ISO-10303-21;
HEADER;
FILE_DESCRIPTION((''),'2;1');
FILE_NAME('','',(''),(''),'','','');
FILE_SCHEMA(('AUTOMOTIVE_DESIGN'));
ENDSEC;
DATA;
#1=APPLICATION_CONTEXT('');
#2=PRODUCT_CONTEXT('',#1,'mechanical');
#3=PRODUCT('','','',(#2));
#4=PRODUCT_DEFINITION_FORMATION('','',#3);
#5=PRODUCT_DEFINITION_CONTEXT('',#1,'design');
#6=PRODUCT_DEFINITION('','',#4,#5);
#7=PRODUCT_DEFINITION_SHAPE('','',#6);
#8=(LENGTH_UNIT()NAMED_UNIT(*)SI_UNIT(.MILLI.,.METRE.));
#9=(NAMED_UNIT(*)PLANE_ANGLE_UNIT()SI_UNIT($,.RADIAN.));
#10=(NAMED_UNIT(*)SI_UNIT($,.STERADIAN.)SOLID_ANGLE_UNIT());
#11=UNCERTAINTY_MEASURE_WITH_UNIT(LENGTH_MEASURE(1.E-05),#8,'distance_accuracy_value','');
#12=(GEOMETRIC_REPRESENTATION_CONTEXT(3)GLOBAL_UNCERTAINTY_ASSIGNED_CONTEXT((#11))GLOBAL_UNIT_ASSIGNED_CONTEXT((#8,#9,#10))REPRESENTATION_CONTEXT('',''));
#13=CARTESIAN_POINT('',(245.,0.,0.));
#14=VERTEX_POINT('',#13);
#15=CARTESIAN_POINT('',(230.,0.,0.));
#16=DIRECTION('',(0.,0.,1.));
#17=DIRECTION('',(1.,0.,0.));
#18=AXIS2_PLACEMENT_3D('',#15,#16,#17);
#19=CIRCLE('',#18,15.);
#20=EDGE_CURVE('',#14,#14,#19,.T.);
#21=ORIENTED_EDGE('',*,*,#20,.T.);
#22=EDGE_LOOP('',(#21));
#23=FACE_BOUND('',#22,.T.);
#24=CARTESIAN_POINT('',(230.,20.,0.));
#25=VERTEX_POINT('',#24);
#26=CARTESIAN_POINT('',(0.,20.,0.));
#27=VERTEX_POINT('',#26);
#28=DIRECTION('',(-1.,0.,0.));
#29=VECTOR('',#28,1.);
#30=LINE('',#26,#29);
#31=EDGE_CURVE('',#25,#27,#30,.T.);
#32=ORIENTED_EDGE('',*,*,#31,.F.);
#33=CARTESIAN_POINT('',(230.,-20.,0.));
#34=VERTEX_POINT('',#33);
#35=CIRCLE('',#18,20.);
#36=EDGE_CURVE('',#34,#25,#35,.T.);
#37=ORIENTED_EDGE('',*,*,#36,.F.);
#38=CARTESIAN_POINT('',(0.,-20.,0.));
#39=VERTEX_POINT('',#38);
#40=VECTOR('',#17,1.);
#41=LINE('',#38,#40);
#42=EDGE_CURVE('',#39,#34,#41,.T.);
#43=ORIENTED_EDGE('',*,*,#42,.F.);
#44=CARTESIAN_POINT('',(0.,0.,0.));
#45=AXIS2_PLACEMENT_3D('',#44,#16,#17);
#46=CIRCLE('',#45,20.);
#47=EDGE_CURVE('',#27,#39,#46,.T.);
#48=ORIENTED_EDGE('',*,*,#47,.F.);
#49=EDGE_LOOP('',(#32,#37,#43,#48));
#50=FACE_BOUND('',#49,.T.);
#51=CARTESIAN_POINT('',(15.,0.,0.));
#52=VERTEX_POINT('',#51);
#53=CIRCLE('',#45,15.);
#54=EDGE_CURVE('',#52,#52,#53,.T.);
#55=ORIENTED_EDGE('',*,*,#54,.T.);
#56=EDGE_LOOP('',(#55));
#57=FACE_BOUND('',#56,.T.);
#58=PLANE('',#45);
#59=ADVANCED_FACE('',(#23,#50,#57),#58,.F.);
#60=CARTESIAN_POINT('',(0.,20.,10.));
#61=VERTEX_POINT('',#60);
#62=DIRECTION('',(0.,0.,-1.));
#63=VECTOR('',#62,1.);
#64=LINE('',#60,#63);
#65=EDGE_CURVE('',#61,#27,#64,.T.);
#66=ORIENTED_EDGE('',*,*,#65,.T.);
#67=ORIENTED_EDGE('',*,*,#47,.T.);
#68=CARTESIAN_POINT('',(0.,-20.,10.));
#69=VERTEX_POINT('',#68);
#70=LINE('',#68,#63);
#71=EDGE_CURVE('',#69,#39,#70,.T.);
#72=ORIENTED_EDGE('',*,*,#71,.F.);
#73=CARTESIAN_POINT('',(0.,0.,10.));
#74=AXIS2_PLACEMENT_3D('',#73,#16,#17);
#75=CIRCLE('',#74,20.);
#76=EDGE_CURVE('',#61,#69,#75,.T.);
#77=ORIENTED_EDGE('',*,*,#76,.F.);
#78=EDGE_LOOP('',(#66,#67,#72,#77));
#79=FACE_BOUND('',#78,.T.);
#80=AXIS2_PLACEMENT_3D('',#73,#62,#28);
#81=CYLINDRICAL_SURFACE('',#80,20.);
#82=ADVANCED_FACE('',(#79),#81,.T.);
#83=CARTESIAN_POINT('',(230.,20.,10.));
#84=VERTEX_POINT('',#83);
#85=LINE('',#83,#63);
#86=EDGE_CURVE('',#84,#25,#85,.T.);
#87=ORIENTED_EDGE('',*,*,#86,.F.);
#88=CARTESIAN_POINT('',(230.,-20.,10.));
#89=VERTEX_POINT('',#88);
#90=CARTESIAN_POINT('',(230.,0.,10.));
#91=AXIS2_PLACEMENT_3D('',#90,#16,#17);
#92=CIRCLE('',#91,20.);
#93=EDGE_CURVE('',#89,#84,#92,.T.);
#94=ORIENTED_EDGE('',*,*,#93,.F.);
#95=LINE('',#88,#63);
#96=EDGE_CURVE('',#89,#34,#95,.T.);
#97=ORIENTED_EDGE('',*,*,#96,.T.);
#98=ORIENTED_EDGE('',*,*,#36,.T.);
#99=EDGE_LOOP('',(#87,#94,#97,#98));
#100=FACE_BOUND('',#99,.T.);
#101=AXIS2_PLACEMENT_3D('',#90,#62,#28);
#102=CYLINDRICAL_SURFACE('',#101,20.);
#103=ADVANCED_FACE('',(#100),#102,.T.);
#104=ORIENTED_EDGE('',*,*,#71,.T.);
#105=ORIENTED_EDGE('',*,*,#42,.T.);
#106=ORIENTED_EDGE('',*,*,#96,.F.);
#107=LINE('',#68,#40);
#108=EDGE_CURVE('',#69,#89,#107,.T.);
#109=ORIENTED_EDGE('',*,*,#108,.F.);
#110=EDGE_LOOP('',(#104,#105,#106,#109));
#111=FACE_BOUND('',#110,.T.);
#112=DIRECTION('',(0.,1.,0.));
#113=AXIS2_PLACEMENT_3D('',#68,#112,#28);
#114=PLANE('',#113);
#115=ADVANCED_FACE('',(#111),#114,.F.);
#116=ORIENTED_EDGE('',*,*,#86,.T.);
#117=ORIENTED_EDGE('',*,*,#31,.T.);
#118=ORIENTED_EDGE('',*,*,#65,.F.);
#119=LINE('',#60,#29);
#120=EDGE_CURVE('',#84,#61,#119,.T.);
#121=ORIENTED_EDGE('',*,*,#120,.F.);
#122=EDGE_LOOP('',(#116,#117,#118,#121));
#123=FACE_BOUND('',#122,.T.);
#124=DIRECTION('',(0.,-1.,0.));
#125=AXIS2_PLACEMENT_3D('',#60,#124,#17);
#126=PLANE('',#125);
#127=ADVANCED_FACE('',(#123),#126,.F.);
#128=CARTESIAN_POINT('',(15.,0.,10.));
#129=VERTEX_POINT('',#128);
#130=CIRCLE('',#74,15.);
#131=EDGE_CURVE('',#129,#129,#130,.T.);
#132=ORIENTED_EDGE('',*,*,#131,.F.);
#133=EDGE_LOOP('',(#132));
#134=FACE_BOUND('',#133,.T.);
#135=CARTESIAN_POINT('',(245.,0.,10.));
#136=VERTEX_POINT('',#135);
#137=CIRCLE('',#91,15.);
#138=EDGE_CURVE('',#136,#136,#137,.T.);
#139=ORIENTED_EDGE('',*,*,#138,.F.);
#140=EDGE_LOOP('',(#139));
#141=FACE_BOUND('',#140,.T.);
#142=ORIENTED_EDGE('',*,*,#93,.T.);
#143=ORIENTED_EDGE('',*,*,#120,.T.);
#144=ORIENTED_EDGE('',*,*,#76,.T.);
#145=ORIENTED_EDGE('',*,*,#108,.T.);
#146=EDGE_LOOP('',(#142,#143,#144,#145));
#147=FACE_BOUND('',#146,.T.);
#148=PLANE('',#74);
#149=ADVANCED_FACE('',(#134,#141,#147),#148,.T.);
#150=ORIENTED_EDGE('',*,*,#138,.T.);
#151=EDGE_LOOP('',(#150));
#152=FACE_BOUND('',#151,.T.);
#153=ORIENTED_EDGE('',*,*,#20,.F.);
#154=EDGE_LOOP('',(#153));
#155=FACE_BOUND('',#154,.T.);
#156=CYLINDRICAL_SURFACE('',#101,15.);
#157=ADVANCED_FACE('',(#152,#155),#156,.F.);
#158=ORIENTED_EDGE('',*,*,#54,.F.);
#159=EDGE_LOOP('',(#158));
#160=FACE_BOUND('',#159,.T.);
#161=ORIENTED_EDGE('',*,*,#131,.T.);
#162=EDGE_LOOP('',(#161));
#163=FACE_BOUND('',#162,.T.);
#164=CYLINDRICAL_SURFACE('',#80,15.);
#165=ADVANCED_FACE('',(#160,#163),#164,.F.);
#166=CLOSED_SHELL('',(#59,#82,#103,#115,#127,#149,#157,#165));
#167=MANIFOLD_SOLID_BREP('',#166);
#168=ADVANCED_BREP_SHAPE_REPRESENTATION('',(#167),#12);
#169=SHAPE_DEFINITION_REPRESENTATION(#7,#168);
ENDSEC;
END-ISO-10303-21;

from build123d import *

# Parameters (mm, degrees)
SKETCH_1_R      = 15
EXTRUDE_1_DEPTH = 10


with BuildPart() as part:
    # Эскиз1 → Бобышка-Вытянуть1 (new body)
    with BuildSketch(Plane.XY):
        with BuildLine():
            Line((0, 20), (230, 20))
            ThreePointArc((230, 20), (250, 0), (230, -20))
            Line((230, -20), (0, -20))
            ThreePointArc((0, -20), (-20, 0), (0, 20))
        make_face()
        Circle(SKETCH_1_R, mode=Mode.SUBTRACT)
        with Locations((230, 0)):
            Circle(SKETCH_1_R, mode=Mode.SUBTRACT)
    extrude(amount=EXTRUDE_1_DEPTH)


solid = part.part
